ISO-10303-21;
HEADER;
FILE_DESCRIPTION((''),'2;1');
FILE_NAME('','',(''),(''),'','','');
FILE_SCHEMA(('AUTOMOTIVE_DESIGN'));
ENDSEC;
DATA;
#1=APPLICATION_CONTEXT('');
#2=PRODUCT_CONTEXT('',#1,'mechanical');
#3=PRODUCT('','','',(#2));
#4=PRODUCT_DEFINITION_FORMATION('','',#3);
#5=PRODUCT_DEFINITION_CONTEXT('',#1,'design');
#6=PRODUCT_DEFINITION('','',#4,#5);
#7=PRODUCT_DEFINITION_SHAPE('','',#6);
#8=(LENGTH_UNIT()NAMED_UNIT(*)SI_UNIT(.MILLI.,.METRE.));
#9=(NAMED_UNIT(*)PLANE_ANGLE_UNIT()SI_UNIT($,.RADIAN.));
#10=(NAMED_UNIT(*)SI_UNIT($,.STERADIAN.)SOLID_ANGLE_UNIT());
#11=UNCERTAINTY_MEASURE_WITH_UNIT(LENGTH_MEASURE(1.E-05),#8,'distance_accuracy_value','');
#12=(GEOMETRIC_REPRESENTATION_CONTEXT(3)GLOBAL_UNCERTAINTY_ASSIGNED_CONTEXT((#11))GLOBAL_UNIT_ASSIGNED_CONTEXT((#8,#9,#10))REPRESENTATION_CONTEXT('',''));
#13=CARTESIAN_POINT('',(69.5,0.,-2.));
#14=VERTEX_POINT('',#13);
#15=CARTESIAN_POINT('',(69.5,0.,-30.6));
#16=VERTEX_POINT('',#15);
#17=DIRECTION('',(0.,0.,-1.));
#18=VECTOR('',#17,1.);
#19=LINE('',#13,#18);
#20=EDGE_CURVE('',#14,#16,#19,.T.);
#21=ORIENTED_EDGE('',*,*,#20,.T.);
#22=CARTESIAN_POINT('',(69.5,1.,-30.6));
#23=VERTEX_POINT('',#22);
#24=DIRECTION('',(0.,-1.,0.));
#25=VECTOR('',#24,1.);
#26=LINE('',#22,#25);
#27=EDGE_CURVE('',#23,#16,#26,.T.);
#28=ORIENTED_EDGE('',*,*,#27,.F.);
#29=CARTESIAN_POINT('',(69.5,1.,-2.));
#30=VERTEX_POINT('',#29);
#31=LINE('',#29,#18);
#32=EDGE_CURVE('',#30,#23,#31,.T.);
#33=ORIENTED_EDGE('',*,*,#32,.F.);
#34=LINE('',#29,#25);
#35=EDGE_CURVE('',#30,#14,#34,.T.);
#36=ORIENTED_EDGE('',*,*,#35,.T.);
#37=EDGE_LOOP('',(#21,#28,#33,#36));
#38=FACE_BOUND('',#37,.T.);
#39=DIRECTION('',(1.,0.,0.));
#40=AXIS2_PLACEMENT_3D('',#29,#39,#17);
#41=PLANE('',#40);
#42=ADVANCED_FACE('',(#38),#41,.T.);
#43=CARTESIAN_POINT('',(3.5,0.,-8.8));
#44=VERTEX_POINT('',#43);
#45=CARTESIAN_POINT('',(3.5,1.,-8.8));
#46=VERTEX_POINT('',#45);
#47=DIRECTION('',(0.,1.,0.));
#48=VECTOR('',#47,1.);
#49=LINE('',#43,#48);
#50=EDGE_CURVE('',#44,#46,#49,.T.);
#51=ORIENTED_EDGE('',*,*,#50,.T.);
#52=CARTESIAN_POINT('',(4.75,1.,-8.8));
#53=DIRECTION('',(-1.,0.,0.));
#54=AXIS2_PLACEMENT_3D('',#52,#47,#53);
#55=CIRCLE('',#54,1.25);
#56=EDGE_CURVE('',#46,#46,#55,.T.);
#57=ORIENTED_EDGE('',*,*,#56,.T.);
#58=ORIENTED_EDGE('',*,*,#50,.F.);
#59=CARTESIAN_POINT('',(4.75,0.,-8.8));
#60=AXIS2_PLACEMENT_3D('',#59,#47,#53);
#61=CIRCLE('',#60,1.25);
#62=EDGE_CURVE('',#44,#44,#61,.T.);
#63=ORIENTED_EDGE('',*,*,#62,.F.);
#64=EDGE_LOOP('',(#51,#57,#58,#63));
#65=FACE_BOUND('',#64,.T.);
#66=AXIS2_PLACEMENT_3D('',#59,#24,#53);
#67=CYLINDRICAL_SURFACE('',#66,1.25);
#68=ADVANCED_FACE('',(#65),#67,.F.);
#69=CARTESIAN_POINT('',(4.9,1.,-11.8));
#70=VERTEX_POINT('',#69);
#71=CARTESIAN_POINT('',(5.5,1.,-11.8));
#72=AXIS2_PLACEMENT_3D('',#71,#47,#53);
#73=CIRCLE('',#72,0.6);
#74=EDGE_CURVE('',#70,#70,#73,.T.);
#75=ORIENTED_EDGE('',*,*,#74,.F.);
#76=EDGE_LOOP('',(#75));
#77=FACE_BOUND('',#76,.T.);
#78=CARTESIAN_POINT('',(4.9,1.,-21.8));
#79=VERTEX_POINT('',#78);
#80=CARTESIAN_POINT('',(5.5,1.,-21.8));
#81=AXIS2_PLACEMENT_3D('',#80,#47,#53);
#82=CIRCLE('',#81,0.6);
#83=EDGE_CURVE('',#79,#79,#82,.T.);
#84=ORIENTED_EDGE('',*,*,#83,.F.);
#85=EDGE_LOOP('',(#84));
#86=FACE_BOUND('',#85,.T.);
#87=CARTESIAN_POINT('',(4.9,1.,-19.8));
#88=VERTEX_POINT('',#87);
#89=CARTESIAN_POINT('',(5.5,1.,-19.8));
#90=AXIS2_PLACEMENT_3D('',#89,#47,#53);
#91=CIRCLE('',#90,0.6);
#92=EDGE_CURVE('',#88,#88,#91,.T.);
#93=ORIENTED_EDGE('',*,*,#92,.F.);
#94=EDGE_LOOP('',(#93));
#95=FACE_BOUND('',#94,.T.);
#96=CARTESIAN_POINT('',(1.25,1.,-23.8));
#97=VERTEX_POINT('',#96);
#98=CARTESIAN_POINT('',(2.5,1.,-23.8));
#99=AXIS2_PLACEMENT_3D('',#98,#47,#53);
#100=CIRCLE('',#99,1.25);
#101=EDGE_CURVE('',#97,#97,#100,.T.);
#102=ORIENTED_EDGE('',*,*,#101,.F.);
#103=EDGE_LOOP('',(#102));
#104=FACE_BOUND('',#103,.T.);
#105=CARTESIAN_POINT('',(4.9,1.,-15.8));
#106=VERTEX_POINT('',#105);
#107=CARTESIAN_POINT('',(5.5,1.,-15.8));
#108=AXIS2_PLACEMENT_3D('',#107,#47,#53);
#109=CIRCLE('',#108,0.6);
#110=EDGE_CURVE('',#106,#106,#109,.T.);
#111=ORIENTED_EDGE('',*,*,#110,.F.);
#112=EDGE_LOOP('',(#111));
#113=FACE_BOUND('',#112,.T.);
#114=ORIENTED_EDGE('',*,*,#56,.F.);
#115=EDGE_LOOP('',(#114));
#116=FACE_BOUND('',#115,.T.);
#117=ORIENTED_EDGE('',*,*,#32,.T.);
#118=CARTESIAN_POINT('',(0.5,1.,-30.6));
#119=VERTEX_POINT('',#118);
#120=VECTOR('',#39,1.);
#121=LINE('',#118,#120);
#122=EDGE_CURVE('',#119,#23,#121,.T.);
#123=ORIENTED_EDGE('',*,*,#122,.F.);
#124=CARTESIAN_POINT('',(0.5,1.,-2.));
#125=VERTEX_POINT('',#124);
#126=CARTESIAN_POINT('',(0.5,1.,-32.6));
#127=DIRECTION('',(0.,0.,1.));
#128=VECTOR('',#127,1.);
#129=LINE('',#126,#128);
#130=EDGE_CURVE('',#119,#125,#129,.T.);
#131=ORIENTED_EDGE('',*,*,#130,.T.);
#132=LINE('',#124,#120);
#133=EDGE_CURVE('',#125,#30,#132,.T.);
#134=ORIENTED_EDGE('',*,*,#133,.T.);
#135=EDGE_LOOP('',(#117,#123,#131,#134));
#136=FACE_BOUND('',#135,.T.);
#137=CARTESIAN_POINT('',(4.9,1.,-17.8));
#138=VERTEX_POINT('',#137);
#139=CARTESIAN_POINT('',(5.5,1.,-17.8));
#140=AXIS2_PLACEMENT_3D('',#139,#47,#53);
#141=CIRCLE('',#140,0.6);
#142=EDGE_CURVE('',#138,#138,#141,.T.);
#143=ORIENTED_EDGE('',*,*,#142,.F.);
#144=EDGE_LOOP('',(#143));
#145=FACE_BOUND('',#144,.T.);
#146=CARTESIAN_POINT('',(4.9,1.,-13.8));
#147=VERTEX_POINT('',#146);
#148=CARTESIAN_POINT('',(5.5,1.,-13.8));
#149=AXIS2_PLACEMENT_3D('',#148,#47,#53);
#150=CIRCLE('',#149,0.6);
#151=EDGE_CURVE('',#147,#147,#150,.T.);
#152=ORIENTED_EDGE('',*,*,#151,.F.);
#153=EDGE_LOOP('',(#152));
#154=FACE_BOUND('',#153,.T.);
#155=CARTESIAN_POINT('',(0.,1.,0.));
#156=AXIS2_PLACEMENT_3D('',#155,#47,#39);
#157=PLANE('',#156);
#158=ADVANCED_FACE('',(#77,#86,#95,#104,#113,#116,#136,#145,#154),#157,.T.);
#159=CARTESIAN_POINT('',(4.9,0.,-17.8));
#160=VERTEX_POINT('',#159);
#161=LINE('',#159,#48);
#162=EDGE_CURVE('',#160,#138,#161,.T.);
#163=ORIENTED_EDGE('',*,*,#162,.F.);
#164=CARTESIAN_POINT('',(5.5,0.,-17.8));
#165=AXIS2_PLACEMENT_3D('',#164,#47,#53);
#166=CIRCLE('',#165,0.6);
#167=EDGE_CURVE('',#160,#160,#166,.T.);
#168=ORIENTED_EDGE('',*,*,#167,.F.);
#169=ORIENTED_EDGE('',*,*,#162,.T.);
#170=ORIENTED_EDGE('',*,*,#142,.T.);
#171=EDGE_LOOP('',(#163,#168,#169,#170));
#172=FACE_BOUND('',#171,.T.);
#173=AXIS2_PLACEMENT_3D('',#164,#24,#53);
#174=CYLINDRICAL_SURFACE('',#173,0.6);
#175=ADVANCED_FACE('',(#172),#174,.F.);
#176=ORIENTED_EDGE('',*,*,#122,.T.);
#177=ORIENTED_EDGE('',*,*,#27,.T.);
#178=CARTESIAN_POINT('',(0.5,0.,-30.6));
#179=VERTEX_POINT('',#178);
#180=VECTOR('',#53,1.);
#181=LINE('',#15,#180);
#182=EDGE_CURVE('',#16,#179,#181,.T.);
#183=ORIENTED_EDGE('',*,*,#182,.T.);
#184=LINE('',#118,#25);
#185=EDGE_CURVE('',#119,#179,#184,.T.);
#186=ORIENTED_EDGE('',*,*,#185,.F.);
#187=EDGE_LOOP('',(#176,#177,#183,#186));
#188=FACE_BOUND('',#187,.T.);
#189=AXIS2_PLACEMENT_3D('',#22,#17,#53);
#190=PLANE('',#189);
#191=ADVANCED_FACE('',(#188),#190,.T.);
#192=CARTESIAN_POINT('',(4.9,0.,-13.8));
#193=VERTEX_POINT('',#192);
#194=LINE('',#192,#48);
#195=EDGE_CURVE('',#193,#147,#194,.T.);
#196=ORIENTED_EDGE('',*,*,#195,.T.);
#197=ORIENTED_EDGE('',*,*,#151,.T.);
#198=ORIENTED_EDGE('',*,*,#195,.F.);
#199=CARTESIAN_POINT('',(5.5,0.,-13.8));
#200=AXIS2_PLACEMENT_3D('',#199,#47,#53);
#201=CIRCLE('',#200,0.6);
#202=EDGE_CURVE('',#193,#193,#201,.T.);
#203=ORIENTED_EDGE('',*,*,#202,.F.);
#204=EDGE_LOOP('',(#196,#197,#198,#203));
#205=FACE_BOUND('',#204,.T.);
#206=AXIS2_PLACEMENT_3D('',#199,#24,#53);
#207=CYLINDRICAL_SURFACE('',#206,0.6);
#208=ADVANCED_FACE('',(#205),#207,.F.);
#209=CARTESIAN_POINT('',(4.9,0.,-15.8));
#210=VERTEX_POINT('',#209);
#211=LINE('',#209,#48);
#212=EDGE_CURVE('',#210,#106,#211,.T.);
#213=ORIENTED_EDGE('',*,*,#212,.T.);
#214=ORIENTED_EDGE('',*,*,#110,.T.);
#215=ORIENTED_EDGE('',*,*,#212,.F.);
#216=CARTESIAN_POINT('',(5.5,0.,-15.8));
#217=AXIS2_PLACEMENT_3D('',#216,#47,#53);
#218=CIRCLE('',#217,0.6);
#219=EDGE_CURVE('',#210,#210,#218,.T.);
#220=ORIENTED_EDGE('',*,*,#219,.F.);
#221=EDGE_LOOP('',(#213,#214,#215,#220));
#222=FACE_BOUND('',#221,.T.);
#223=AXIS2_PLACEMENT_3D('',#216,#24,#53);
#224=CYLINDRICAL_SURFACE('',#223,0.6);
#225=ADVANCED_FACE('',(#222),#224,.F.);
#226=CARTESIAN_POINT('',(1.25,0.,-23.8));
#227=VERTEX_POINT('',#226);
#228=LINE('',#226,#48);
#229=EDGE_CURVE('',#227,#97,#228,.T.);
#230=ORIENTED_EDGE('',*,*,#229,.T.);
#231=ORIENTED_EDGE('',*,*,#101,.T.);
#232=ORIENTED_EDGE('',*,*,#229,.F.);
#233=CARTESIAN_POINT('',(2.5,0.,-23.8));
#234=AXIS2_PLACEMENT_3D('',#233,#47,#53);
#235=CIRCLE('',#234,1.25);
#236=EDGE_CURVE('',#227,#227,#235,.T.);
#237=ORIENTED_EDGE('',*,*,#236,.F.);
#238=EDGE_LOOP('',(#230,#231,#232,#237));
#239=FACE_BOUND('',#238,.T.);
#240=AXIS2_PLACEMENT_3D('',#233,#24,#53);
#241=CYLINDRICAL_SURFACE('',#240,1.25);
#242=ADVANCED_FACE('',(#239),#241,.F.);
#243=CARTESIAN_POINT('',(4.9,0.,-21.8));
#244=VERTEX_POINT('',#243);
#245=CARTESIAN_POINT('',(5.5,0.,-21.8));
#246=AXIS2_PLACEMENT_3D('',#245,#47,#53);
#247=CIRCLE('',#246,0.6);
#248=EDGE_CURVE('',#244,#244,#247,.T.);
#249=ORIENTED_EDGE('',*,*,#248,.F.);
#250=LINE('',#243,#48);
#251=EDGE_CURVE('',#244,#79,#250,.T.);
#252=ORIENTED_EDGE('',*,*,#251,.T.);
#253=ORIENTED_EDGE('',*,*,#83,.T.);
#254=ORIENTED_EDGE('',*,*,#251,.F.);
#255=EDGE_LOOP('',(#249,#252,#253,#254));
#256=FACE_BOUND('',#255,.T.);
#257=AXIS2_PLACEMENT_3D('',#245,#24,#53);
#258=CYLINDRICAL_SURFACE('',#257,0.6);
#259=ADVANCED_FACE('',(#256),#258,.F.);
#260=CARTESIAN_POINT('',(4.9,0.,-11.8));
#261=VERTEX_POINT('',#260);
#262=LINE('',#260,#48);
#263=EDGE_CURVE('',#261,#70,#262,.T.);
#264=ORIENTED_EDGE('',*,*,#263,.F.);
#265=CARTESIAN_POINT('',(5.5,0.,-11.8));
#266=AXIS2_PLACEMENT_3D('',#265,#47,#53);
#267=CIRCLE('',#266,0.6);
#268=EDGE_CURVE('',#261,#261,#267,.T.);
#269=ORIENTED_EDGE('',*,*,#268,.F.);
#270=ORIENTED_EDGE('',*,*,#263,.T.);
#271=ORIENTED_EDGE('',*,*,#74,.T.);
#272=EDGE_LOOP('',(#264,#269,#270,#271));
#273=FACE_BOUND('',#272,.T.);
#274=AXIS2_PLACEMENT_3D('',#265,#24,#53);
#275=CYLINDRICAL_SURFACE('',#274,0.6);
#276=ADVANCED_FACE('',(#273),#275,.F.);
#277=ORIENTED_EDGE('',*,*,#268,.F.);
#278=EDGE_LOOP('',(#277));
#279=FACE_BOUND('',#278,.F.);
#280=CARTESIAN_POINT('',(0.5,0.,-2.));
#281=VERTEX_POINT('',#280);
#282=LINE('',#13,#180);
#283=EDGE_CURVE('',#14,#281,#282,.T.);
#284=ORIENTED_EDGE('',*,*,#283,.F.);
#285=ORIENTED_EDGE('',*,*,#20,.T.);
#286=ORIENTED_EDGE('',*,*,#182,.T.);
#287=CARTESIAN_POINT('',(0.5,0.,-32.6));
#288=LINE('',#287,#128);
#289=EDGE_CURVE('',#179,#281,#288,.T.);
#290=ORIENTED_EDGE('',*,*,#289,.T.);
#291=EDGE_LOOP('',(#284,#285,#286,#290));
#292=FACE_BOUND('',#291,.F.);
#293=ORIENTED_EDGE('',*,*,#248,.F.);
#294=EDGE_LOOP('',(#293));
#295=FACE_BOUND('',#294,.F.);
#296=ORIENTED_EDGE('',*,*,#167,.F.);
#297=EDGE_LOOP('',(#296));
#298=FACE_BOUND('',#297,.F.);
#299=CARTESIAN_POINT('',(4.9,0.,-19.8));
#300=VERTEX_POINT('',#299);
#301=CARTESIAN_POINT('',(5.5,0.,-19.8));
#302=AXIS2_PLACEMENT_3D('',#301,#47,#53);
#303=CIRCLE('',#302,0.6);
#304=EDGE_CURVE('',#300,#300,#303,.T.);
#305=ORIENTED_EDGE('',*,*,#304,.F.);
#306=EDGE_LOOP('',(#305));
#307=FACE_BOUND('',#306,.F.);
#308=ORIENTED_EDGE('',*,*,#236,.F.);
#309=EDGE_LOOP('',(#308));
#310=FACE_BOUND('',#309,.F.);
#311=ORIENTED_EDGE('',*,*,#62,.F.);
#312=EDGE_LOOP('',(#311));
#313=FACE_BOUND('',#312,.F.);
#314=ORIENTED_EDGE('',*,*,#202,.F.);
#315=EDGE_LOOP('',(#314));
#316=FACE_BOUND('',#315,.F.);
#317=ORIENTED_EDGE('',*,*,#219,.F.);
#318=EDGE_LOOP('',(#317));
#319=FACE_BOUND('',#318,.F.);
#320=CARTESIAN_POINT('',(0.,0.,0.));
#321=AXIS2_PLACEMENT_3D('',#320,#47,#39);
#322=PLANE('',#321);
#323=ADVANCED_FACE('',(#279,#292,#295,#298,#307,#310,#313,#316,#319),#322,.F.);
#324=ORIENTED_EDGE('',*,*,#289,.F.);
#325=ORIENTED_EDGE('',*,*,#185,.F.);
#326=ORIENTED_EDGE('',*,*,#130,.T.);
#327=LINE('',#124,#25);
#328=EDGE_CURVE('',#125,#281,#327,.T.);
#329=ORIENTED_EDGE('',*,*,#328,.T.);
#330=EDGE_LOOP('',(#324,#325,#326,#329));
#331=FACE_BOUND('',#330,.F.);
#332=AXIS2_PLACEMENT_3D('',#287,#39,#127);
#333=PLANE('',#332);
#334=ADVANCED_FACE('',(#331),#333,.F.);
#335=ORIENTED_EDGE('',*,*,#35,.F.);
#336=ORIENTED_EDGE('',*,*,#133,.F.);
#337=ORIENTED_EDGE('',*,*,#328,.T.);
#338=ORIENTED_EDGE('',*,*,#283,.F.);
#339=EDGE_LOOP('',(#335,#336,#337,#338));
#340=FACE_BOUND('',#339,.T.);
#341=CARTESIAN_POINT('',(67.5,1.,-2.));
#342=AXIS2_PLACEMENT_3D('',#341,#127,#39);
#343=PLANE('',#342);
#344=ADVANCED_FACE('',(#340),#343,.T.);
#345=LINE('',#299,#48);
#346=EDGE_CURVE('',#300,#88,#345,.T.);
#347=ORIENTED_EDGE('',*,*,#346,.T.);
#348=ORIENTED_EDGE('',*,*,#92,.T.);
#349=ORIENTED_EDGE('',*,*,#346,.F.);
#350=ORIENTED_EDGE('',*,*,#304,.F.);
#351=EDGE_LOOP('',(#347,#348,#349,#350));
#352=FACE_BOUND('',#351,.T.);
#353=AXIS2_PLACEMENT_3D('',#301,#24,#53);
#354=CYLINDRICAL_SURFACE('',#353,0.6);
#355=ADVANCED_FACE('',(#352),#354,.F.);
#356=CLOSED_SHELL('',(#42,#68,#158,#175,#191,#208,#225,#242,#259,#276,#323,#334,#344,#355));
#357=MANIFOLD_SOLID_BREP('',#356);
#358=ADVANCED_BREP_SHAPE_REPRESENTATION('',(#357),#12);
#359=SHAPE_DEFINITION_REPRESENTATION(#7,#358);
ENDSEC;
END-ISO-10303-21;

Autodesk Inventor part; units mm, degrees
ref_plane "YZ Plane" through (0, 0, 0) normal (1, 0, 0) x (0, 1, 0)
ref_plane "XZ Plane" through (0, 0, 0) normal (0, 1, 0) x (-1, 0, 0)
ref_plane "XY Plane" through (0, 0, 0) normal (0, 0, 1) x (1, 0, 0)
sketch "Эскиз1" plane through (0, 0, 0) normal (0, 1, 0) x (-1, 0, 0)
  line L0 (-5.5, -11.8) -> (-4.75, -11.8)
  circle A0 centre (-4.75, -8.8) radius 1.25
  circle A1 centre (-2.5, -23.8) radius 1.25
  circle A2 centre (-5.5, -19.8) radius 0.6
  circle A3 centre (-5.5, -21.8) radius 0.6
  circle A4 centre (-5.5, -17.8) radius 0.6
  circle A5 centre (-5.5, -15.8) radius 0.6
  circle A6 centre (-5.5, -13.8) radius 0.6
  circle A7 centre (-5.5, -11.8) radius 0.6
  line L1 (-0.5, -32.6) -> (-0.5, 0)
  line L2 (-0.5, -32.6) -> (-0.5, 0)
  line L3 (-0.5, 0) -> (-67.5, 0)
  line L4 (-67.5, 0) -> (-67.5, -32.6)
  line L5 (-67.5, -32.6) -> (-0.5, -32.6)
  line L6 (-0.5, -32.6) -> (-0.5, 0)
  dimension "d37" = 2.5
  dimension "d39" = 1.2
  dimension "d40" = 1.2
  dimension "d41" = 1.2
  dimension "d42" = 1.2
  dimension "d43" = 1.2
  dimension "d44" = 1.2
  dimension "d47" = 67
extrude "Выдавливание1" add sketch "Эскиз1" along normal blind 1
sketch "Эскиз2" plane through (0, 1, 0) normal (0, 1, 0) x (1, 0, 0)
  line L0 (0.5, 0) -> (67.5, 0) projected
  line L1 (0.5, 0) -> (0.5, 2)
  line L2 (0.5, 32.6) -> (0.5, 0) projected
  line L3 (0.5, 2) -> (67.5, 2)
  line L4 (67.5, 0) -> (67.5, 32.6) projected
  line L5 (0.5, 32.6) -> (0.5, 30.6)
  line L6 (0.5, 30.6) -> (67.5, 30.6)
  line L7 (67.5, 30.6) -> (68.5, 30.6)
  line L8 (68.5, 30.6) -> (68.5, 2)
  line L9 (68.5, 2) -> (67.5, 2)
  line L10 (67.5, 32.6) -> (0.5, 32.6) projected
  line L11 (0.5, 0) -> (67.5, 0)
  line L12 (67.5, 0) -> (67.5, 32.6)
  line L13 (67.5, 32.6) -> (0.5, 32.6)
  line L14 (0.5, 32.6) -> (0.5, 0)
  point P0 (0, 0)
  dimension "d48" = 2
  dimension "d49" = 2
  dimension "d50" = 1
extrude "Выдавливание2" cut sketch "Эскиз2" against normal blind 10 contours L1 L3 L4 L0 | L2 L10 L4 L6
sketch "Эскиз3" plane through (0, 1, 0) normal (0, 1, 0) x (1, 0, 0)
  line L0 (67.5, 2) -> (67.5, 30.6) projected
  line L1 (67.5, 2) -> (69.5, 2)
  line L2 (69.5, 2) -> (69.5, 30.6)
  line L3 (69.5, 30.6) -> (67.5, 30.6)
  line L4 (67.5, 30.6) -> (67.5, 2)
  point P0 (0, 0)
  dimension "d53" = 2
extrude "Выдавливание3" add sketch "Эскиз3" against normal blind 1
properties part number "akkum_board"
